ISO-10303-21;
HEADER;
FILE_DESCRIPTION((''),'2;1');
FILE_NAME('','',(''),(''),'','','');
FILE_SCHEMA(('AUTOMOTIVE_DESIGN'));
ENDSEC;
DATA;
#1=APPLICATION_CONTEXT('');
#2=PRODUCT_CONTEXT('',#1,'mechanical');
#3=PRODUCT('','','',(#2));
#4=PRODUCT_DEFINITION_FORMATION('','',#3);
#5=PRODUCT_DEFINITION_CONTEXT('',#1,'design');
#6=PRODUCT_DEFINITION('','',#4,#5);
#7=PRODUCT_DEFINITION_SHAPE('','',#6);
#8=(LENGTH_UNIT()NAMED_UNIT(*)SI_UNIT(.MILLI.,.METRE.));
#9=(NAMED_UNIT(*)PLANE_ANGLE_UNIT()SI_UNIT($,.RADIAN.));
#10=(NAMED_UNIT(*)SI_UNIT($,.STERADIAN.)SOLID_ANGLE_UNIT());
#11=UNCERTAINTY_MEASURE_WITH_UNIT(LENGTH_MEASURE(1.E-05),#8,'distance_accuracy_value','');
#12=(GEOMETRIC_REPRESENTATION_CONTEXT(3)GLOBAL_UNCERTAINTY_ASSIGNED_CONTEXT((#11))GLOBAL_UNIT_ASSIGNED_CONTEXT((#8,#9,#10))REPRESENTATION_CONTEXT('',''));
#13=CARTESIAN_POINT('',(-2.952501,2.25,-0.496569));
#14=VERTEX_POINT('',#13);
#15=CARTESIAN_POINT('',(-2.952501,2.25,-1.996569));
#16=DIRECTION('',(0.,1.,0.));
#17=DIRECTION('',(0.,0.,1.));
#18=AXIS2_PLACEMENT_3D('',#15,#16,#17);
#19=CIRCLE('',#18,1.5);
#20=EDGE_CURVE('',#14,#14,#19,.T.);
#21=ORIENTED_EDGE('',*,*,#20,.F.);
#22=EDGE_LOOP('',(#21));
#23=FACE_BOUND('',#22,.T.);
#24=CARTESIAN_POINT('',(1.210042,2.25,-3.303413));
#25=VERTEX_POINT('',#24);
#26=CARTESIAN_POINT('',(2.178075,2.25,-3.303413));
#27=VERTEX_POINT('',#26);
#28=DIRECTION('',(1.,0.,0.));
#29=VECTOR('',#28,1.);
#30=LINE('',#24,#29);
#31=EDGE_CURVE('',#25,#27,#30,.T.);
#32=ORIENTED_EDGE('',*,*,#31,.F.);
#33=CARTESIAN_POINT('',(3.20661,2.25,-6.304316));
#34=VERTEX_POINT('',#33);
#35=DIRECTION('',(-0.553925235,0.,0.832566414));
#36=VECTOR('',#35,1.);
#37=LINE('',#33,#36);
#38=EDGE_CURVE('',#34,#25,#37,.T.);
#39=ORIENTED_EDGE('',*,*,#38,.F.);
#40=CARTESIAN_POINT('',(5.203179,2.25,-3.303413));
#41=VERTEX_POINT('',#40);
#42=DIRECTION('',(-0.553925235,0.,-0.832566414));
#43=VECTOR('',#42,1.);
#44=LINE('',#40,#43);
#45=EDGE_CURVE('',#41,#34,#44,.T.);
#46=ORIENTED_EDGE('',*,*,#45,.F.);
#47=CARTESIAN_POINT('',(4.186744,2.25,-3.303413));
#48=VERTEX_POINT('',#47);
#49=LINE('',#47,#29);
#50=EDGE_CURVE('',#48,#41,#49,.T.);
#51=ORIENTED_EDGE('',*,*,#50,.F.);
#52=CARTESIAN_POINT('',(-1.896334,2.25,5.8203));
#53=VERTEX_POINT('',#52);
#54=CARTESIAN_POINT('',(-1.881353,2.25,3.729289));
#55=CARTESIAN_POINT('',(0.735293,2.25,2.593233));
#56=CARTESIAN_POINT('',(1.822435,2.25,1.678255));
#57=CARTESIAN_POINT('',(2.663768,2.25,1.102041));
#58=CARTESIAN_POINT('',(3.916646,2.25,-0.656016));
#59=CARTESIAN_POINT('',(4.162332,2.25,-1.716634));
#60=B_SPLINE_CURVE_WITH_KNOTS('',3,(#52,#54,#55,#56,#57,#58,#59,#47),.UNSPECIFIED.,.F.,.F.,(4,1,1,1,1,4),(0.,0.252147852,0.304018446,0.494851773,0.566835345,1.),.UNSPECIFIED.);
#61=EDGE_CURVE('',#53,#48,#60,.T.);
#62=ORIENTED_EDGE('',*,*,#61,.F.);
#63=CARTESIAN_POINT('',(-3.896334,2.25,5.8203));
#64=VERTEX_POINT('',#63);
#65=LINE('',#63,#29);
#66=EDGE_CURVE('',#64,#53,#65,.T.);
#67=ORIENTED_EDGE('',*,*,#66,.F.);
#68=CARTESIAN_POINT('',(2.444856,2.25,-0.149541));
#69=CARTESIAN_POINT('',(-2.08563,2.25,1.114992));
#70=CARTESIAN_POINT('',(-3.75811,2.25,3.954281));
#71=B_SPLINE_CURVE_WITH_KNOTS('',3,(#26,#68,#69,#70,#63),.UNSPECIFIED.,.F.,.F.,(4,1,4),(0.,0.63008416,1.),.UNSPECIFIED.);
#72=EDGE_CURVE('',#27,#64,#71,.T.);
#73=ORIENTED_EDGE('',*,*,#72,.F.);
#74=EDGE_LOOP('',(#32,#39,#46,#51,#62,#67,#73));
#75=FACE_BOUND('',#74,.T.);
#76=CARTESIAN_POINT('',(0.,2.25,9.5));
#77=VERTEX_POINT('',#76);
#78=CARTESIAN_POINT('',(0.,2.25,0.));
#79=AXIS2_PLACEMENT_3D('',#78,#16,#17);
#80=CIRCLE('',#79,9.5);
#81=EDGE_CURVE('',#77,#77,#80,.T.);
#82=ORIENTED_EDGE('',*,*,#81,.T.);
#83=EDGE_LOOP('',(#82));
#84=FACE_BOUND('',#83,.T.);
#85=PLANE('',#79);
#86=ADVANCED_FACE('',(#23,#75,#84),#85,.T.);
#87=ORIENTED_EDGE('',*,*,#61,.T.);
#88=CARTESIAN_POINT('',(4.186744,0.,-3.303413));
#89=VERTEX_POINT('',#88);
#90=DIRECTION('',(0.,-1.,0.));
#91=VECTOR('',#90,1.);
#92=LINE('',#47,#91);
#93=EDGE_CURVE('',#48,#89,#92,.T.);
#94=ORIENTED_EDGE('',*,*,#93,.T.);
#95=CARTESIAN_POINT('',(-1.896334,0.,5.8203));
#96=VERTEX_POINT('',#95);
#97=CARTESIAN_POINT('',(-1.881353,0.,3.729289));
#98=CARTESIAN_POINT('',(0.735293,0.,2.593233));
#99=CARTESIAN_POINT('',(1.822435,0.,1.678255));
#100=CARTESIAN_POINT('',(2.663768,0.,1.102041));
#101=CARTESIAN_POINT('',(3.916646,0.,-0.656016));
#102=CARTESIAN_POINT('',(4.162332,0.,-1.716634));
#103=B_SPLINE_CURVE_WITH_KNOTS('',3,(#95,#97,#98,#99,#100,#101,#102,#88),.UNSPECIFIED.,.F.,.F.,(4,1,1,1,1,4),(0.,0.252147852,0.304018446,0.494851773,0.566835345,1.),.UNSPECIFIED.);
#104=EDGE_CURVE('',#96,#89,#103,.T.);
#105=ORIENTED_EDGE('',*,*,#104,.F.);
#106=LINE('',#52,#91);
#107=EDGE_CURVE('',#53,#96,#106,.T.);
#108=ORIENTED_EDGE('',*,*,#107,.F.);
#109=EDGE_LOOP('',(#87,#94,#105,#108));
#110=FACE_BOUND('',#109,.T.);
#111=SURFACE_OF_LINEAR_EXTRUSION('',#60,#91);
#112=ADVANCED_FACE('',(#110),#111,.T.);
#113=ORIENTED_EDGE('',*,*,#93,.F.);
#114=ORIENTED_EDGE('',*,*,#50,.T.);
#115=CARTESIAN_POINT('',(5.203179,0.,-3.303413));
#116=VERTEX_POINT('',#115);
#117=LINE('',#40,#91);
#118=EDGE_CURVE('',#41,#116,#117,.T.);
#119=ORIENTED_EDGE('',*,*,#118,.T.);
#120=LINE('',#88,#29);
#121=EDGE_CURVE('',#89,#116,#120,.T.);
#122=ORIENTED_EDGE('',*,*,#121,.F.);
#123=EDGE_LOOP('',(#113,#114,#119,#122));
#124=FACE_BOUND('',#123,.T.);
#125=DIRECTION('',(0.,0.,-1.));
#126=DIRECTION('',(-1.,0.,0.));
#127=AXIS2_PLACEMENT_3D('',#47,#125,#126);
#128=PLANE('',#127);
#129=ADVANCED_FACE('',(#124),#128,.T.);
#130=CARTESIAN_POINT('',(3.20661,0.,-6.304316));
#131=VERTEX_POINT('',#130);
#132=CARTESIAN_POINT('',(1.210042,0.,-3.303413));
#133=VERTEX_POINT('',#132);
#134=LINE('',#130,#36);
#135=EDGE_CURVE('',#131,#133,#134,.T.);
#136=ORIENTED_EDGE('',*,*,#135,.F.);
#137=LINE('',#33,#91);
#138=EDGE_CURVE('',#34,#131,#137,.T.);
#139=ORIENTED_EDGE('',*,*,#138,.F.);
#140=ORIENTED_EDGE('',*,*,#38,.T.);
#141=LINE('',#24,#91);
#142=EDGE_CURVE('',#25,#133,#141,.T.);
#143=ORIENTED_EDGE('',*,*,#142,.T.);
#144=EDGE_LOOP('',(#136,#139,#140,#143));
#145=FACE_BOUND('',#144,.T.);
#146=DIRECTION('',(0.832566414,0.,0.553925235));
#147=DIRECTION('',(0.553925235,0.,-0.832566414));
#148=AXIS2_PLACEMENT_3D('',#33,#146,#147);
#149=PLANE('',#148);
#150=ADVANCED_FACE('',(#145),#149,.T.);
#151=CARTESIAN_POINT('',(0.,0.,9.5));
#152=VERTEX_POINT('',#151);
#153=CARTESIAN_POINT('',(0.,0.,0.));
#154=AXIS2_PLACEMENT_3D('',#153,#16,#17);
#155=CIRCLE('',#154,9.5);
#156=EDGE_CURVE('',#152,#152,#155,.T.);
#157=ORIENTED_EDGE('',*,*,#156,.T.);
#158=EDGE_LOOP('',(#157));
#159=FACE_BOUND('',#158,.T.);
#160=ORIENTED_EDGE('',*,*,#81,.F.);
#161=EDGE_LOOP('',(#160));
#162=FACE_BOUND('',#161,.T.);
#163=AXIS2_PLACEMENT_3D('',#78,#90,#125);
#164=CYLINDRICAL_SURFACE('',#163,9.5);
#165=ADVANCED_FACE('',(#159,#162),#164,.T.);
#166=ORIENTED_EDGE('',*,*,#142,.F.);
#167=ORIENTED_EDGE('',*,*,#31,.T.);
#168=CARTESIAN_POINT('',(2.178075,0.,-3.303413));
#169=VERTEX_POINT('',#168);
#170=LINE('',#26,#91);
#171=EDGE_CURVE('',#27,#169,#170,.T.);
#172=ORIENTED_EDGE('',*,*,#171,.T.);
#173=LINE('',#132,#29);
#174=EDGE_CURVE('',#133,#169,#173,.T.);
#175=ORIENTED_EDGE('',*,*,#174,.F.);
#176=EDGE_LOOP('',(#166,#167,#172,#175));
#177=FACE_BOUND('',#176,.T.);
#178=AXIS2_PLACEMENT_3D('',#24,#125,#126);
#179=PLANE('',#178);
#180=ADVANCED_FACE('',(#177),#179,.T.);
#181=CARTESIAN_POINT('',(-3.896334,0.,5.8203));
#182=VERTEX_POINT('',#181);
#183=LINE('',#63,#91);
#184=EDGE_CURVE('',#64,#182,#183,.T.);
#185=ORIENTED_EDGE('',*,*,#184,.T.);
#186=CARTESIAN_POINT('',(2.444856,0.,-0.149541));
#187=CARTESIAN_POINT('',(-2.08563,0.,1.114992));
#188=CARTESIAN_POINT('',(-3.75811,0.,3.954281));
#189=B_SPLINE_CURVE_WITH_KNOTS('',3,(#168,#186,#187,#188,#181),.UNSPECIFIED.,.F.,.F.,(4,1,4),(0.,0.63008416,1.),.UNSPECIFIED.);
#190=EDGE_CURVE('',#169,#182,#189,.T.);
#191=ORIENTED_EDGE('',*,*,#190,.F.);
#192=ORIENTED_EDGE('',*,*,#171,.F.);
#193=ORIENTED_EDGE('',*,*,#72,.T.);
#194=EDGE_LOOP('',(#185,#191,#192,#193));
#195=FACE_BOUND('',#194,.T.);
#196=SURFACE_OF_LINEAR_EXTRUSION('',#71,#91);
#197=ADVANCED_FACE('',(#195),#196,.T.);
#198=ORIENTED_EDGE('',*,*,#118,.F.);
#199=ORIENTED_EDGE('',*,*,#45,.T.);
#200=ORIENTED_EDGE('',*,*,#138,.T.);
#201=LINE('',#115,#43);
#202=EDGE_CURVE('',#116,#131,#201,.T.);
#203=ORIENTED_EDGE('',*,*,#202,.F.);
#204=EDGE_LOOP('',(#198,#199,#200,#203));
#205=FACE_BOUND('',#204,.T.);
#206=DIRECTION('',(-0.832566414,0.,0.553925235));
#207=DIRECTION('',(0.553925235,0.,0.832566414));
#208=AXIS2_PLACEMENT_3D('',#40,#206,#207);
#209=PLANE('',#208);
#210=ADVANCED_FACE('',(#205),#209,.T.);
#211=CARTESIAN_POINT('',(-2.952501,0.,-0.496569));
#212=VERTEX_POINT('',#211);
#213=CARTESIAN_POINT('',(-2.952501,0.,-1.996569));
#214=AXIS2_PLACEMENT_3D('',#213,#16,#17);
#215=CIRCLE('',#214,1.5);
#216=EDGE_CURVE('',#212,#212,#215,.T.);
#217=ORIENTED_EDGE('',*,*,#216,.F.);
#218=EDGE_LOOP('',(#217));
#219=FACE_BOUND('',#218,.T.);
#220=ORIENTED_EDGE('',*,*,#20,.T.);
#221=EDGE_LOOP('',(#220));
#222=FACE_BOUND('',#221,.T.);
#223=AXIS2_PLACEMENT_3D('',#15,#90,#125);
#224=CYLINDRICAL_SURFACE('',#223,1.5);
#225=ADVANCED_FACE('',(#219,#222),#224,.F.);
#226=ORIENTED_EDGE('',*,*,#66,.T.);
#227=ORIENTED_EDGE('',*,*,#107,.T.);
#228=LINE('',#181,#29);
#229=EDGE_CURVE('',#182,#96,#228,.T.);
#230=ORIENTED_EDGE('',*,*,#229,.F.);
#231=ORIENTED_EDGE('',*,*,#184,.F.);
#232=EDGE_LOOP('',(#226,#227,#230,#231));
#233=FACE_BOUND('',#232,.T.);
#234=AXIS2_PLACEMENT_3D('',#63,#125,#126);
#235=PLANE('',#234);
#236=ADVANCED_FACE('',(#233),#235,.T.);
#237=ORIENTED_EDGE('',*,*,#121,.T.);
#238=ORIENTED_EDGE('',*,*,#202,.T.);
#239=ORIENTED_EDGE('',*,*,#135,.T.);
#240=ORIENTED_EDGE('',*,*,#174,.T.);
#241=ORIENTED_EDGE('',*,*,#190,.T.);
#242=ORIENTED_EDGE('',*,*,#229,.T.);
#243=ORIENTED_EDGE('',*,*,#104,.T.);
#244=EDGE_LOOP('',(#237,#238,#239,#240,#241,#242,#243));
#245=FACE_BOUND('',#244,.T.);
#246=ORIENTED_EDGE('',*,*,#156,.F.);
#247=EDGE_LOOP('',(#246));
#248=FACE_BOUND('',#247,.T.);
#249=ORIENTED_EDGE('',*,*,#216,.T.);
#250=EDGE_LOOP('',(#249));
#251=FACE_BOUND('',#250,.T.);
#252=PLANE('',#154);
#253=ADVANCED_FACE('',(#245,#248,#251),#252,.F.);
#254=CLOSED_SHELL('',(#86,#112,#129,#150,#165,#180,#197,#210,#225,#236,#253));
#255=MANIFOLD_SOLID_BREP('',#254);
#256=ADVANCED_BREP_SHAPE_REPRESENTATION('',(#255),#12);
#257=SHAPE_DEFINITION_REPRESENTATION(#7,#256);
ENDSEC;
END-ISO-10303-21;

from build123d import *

# Parameters (mm, degrees)
SKETCH1_R           = 9.5
SKETCH1_R_2         = 1.5
BOSS_EXTRUDE1_DEPTH = 2.25


with BuildPart() as part:
    # Sketch1 → Boss-Extrude1 (new body)
    with BuildSketch(Plane(origin=(0, 0, 0), x_dir=(1, 0, 0), z_dir=(0, 1, 0))):
        Circle(SKETCH1_R)
        with Locations((-2.952501305, 1.996568505)):
            Circle(SKETCH1_R_2, mode=Mode.SUBTRACT)
        with BuildLine():
            Line((1.210041518, 3.303413345), (2.178074733, 3.303413345))
            add(Edge.make_bspline(
                [(2.178074733, 3.303413345), (2.444856065, 0.149541279), (-2.085629529, -1.114991667), (-3.758110102, -3.954281272), (-3.896333689, -5.820299703)],
                knots=[0, 0, 0, 0, 0.63008416, 1, 1, 1, 1], degree=3))
            Line((-3.896333689, -5.820299703), (-1.896333689, -5.820299703))
            add(Edge.make_bspline(
                [(4.186743653, 3.303413345), (4.162331661, 1.716633845), (3.916646292, 0.656016278), (2.663767731, -1.102040856), (1.822435365, -1.678254748), (0.735292504, -2.593233031), (-1.88135337, -3.72928874), (-1.896333689, -5.820299703)],
                knots=[0, 0, 0, 0, 0.433164655, 0.505148227, 0.695981554, 0.747852148, 1, 1, 1, 1], degree=3))
            Line((4.186743653, 3.303413345), (5.203178529, 3.303413345))
            Line((5.203178529, 3.303413345), (3.206610024, 6.304316311))
            Line((3.206610024, 6.304316311), (1.210041518, 3.303413345))
        make_face(mode=Mode.SUBTRACT)
    extrude(amount=BOSS_EXTRUDE1_DEPTH)


solid = part.part
